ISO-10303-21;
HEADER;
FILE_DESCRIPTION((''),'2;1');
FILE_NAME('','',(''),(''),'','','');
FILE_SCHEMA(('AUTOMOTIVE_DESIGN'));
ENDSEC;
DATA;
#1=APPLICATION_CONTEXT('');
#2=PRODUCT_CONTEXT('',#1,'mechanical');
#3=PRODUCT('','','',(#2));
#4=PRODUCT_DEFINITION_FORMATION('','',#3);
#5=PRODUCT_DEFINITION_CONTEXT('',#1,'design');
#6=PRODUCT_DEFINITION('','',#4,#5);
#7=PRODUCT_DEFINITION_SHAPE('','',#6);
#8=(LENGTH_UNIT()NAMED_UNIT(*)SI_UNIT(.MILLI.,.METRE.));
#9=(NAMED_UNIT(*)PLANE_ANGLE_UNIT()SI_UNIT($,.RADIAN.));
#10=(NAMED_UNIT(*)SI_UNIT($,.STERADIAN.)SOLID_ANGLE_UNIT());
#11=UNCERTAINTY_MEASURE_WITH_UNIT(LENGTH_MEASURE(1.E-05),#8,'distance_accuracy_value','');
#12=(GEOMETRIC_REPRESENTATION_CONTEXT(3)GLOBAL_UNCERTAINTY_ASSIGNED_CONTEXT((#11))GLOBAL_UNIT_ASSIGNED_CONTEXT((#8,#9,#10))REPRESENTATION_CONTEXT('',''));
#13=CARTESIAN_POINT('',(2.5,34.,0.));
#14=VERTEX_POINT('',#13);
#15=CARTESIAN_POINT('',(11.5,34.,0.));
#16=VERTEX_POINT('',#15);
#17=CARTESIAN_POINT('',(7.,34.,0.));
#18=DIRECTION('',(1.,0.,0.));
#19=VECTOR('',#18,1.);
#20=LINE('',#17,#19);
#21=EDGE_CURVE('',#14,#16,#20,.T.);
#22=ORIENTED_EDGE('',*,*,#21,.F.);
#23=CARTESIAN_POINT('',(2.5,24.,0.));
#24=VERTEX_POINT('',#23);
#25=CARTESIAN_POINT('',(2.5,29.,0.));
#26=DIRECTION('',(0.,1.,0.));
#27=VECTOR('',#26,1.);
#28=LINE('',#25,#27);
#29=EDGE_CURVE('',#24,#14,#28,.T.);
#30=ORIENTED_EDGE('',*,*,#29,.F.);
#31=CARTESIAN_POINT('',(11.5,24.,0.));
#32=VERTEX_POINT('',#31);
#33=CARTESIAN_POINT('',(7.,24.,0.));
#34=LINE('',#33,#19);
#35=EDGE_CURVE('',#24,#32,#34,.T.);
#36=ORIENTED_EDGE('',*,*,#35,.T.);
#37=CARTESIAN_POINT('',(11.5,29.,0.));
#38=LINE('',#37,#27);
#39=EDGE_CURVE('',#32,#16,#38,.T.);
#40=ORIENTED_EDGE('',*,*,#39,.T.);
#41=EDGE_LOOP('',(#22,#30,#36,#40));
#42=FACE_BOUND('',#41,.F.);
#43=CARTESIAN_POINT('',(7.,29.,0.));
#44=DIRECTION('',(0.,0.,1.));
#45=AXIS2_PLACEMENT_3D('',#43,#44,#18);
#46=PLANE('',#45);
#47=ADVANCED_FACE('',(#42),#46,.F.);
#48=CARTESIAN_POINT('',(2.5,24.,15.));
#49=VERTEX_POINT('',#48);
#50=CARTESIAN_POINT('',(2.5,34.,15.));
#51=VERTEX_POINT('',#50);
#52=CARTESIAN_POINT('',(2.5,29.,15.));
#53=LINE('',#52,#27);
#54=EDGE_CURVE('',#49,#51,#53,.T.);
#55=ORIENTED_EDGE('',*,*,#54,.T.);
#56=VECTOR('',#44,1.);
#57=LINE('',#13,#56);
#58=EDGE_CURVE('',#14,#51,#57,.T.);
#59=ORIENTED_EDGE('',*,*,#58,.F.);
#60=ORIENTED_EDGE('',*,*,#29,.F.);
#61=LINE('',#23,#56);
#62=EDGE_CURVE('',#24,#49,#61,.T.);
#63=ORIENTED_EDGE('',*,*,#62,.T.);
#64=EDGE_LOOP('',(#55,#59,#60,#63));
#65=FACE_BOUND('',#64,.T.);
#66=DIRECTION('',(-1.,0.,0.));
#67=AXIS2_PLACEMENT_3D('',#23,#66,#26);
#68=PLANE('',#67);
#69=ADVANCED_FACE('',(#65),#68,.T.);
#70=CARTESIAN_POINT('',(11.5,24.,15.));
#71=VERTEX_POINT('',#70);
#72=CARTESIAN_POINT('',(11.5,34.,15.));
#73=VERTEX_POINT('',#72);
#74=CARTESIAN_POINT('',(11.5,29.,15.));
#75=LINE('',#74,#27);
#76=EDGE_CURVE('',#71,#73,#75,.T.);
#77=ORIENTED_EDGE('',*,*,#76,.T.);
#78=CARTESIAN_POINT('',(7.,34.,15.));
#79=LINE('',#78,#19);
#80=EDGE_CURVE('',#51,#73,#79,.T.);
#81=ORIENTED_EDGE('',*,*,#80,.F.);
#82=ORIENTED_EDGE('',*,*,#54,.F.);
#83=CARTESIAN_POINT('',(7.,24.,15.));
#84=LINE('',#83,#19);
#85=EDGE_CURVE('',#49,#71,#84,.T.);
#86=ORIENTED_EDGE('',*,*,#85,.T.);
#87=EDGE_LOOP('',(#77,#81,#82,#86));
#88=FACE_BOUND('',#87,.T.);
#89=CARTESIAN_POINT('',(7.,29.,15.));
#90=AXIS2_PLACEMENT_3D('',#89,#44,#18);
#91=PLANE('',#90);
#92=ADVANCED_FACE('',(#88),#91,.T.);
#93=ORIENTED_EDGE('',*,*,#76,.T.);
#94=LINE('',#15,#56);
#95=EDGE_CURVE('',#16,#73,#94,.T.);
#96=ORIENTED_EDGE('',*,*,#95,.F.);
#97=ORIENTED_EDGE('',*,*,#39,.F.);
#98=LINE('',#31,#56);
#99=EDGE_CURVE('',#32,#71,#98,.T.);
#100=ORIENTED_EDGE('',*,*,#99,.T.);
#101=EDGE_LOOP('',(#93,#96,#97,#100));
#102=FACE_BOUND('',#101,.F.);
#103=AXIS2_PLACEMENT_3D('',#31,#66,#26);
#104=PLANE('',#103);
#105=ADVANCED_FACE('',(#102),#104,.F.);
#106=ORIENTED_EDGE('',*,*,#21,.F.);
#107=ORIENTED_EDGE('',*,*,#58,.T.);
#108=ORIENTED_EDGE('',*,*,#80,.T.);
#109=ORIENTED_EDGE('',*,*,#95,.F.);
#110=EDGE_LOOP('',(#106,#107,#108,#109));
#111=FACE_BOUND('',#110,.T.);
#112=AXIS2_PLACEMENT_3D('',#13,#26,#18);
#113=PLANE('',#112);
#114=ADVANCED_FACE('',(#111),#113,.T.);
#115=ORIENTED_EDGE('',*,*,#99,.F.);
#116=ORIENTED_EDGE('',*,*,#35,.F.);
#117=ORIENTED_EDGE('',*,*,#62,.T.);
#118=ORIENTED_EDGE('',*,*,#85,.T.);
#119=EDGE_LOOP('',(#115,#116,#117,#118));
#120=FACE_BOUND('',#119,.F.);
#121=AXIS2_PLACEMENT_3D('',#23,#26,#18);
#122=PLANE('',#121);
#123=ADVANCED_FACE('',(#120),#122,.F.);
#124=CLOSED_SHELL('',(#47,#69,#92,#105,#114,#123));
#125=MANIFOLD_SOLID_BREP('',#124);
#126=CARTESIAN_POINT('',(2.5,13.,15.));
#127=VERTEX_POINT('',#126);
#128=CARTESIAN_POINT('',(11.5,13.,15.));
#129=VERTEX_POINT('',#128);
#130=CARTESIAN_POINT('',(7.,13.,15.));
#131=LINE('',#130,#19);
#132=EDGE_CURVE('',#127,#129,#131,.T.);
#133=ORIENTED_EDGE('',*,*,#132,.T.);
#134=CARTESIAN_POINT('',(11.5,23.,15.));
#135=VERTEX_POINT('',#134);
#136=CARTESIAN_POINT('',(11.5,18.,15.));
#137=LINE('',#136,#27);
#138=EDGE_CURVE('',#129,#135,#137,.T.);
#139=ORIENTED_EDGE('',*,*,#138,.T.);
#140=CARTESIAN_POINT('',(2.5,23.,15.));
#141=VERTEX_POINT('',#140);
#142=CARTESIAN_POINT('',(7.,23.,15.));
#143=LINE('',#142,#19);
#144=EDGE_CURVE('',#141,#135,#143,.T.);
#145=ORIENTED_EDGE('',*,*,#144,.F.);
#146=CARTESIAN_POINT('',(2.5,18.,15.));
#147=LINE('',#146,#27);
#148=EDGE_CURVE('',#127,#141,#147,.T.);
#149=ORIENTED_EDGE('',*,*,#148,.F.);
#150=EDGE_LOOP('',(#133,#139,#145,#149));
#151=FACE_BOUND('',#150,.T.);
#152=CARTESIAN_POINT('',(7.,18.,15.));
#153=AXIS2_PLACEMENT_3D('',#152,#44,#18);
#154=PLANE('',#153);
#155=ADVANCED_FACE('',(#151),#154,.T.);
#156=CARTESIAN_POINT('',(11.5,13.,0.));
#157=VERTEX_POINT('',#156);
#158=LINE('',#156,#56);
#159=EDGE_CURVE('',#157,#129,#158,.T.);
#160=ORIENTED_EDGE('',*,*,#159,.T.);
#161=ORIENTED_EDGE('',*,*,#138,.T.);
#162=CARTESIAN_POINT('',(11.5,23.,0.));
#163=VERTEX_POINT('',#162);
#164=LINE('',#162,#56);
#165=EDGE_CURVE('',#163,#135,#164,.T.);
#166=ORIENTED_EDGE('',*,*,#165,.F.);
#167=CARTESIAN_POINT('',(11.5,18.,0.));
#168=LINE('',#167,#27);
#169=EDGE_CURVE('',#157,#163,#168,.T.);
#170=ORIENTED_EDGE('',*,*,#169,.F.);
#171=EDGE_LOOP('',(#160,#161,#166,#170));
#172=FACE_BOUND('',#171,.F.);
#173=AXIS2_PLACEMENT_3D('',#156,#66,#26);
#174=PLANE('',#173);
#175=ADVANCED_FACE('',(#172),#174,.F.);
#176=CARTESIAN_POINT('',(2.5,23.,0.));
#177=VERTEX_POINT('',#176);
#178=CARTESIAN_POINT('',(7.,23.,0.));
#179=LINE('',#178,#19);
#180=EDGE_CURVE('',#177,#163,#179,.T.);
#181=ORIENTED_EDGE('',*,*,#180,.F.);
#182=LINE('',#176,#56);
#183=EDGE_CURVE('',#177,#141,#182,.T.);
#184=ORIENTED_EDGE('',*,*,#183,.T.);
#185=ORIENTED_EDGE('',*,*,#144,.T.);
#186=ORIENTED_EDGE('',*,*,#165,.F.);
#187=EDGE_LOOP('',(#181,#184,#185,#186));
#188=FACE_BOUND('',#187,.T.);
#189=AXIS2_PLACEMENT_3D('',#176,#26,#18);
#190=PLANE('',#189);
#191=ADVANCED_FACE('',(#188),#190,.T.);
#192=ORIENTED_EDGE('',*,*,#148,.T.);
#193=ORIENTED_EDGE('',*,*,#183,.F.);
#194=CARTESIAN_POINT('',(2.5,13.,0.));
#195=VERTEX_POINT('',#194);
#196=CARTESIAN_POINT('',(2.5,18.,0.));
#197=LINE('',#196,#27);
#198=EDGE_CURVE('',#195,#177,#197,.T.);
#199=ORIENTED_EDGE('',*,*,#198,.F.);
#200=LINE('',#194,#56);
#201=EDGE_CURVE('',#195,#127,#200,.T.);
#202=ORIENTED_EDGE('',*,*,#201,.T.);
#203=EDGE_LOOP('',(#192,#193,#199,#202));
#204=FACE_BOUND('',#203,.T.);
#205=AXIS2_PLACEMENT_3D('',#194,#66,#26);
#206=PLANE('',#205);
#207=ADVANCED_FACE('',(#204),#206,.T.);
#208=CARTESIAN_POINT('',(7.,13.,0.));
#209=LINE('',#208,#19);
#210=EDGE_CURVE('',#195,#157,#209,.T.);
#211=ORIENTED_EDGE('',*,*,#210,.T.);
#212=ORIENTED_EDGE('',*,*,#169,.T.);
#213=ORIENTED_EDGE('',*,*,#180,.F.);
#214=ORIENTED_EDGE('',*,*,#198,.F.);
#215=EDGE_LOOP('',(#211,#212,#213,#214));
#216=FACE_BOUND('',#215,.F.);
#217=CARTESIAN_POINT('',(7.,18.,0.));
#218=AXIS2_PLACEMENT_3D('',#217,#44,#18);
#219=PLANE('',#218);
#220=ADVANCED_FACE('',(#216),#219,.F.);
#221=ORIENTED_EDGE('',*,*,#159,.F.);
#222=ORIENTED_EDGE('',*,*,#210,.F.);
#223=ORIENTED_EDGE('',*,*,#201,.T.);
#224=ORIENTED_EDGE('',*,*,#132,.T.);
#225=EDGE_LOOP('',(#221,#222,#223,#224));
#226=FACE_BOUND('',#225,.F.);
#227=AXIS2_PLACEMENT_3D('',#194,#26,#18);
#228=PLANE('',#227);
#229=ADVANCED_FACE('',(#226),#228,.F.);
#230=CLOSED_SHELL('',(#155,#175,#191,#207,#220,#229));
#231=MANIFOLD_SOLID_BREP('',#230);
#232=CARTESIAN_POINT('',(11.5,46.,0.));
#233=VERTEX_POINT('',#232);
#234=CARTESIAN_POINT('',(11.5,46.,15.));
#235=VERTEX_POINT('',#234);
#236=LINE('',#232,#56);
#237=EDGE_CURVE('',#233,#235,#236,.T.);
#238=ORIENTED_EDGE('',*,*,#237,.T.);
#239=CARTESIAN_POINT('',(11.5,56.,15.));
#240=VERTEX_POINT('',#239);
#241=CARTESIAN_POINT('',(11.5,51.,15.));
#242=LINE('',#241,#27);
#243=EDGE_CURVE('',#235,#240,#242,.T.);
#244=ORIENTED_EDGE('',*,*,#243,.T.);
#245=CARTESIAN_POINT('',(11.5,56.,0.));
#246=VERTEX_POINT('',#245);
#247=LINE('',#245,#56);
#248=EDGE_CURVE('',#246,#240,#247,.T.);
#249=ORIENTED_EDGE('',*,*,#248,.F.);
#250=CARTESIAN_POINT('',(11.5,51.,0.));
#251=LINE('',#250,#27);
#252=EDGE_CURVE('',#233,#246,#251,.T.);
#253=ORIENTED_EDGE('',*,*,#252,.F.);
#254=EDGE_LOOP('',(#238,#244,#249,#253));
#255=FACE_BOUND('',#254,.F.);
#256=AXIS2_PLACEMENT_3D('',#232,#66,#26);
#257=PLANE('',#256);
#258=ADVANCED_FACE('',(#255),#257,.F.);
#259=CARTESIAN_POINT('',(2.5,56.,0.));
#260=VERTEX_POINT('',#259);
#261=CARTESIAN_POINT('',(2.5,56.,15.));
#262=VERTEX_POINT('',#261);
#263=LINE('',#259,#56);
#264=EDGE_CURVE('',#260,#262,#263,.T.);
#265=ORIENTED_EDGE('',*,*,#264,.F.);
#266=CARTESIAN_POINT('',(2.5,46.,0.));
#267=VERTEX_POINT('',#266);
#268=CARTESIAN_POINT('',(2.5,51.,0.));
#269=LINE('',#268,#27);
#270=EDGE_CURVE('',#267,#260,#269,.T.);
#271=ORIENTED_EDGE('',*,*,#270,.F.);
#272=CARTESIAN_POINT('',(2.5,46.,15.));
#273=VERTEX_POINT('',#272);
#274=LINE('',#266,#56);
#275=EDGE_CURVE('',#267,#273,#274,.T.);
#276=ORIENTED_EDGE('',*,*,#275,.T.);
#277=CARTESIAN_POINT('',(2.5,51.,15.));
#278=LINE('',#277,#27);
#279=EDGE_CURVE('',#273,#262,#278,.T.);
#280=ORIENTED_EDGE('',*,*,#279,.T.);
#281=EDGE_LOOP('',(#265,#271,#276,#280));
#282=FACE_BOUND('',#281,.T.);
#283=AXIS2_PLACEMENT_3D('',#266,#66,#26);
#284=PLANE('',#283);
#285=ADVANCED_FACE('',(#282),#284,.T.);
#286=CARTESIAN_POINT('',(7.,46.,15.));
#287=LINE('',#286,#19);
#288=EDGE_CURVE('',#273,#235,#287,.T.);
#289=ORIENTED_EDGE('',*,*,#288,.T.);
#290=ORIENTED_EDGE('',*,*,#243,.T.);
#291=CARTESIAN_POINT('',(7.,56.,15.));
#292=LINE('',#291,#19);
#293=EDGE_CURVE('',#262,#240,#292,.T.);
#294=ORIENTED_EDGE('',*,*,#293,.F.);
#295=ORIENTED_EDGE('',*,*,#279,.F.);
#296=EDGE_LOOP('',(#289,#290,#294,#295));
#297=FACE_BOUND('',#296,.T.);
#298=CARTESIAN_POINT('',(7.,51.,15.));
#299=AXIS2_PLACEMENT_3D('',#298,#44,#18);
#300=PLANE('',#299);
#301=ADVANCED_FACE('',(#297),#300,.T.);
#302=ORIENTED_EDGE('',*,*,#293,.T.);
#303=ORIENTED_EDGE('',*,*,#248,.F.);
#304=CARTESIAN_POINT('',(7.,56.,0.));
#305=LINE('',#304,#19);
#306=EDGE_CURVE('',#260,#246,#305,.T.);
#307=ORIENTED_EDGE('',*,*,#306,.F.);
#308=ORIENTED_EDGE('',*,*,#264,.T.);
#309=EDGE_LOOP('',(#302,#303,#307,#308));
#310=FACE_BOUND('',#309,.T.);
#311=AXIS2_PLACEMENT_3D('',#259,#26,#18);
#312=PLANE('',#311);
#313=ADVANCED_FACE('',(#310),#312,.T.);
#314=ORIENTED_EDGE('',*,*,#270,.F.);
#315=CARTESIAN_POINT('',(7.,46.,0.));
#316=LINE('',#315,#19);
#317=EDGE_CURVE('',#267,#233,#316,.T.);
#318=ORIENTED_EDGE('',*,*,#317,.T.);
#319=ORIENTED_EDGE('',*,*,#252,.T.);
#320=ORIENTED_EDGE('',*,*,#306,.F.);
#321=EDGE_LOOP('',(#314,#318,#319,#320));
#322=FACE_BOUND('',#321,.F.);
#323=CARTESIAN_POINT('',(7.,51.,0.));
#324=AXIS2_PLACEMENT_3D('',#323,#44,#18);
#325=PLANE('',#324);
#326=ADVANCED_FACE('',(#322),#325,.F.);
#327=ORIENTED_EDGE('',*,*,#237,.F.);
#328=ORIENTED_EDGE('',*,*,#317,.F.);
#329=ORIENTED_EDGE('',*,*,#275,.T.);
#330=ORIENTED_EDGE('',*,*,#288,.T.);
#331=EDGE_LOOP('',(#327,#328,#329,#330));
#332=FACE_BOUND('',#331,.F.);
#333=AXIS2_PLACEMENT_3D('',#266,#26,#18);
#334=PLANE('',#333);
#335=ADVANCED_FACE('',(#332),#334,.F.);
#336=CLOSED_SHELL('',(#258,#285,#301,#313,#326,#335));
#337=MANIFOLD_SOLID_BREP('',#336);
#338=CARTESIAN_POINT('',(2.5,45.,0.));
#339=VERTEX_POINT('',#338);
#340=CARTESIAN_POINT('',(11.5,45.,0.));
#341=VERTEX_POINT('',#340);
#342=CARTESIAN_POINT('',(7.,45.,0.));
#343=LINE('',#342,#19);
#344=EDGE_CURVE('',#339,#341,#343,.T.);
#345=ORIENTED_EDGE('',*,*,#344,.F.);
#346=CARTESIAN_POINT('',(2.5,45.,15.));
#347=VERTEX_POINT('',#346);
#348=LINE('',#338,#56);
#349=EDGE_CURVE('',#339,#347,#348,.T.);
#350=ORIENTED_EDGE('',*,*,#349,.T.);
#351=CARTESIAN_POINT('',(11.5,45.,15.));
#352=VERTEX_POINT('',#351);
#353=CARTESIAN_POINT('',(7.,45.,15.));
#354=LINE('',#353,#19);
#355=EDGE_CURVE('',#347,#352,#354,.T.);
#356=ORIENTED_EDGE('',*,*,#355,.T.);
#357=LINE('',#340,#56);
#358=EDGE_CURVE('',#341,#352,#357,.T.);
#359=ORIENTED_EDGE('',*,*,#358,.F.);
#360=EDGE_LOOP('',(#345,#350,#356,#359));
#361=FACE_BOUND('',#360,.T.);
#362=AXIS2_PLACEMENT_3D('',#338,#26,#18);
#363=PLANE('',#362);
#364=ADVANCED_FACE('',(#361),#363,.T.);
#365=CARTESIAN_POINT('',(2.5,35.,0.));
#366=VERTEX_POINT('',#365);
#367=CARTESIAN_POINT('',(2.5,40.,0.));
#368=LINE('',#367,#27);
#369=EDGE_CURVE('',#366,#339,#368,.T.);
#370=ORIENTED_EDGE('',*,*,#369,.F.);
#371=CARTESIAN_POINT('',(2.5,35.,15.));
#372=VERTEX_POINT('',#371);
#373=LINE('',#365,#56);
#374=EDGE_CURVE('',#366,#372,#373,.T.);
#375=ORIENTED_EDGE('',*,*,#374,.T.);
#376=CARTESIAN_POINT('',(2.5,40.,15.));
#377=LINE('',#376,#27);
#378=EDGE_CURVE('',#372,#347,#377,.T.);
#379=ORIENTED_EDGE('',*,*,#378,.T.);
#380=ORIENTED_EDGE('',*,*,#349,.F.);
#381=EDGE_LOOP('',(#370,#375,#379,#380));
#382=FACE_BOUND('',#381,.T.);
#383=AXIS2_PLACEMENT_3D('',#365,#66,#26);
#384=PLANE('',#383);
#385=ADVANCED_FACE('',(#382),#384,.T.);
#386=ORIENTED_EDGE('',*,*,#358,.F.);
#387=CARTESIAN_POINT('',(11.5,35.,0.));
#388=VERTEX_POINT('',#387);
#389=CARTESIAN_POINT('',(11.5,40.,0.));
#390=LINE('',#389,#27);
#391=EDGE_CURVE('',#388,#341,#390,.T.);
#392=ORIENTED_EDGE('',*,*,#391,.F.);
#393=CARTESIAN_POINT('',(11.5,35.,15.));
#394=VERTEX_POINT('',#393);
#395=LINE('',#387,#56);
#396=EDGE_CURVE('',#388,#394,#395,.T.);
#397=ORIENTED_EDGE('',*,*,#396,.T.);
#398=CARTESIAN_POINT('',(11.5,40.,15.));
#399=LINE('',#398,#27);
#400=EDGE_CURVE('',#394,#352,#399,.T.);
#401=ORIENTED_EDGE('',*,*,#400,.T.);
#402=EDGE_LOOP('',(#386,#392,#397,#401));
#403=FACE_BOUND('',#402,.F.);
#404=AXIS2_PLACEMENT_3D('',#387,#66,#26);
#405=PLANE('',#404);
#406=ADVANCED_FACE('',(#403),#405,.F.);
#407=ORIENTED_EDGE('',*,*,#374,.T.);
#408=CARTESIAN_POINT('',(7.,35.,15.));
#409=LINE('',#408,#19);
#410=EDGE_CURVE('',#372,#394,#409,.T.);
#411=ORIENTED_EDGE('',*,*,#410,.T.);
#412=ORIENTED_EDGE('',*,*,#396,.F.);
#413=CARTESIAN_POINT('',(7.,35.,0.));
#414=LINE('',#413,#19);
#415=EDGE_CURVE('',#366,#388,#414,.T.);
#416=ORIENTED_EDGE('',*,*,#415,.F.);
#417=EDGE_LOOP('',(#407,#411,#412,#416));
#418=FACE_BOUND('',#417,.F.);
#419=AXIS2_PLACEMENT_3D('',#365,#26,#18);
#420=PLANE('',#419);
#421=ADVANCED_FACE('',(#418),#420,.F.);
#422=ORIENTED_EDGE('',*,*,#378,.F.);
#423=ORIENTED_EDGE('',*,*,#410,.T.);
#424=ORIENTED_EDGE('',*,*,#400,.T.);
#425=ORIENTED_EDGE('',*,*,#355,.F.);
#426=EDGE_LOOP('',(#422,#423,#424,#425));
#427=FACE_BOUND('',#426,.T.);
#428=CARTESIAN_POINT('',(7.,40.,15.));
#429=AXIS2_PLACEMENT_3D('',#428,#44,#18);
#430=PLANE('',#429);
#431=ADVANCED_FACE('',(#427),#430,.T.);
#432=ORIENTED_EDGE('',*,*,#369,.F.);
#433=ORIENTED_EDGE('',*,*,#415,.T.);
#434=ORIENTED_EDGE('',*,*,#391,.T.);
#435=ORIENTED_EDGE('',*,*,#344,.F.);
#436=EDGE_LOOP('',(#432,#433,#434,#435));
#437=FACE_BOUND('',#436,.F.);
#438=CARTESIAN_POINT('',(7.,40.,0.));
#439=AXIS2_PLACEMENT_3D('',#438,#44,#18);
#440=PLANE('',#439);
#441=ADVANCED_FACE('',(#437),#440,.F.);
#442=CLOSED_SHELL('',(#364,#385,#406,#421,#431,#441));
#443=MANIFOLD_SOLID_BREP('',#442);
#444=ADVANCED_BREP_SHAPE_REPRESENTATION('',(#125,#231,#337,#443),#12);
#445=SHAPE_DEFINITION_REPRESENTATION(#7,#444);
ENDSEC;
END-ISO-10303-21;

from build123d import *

# Parameters (mm, degrees)
BOX089_W     = 9
BOX089_H     = 10
BOX089_DEPTH = 15
BOX090_W     = 9
BOX090_H     = 10
BOX090_DEPTH = 15
BOX091_W     = 9
BOX091_H     = 10
BOX091_DEPTH = 15
BOX088_W     = 9
BOX088_H     = 10
BOX088_DEPTH = 15


with BuildPart() as cube059:
    # Box089 → Box089 (new body)
    with BuildSketch(Plane(origin=(2.5, 24, 0), x_dir=(1, 0, 0), z_dir=(0, 0, 1))):
        with Locations((4.5, 5)):
            Rectangle(BOX089_W, BOX089_H)
    extrude(amount=BOX089_DEPTH)


with BuildPart() as cube060:
    # Box090 → Box090 (new body)
    with BuildSketch(Plane(origin=(2.5, 35, 0), x_dir=(1, 0, 0), z_dir=(0, 0, 1))):
        with Locations((4.5, 5)):
            Rectangle(BOX090_W, BOX090_H)
    extrude(amount=BOX090_DEPTH)


with BuildPart() as cube061:
    # Box091 → Box091 (new body)
    with BuildSketch(Plane(origin=(2.5, 46, 0), x_dir=(1, 0, 0), z_dir=(0, 0, 1))):
        with Locations((4.5, 5)):
            Rectangle(BOX091_W, BOX091_H)
    extrude(amount=BOX091_DEPTH)


with BuildPart() as inputs001:
    # Box088 → Box088 (new body)
    with BuildSketch(Plane(origin=(2.5, 13, 0), x_dir=(1, 0, 0), z_dir=(0, 0, 1))):
        with Locations((4.5, 5)):
            Rectangle(BOX088_W, BOX088_H)
    extrude(amount=BOX088_DEPTH)

    # Fusion068: union Cube059, Cube060, Cube061
    add(cube059.part)
    add(cube060.part)
    add(cube061.part)


solid = inputs001.part
